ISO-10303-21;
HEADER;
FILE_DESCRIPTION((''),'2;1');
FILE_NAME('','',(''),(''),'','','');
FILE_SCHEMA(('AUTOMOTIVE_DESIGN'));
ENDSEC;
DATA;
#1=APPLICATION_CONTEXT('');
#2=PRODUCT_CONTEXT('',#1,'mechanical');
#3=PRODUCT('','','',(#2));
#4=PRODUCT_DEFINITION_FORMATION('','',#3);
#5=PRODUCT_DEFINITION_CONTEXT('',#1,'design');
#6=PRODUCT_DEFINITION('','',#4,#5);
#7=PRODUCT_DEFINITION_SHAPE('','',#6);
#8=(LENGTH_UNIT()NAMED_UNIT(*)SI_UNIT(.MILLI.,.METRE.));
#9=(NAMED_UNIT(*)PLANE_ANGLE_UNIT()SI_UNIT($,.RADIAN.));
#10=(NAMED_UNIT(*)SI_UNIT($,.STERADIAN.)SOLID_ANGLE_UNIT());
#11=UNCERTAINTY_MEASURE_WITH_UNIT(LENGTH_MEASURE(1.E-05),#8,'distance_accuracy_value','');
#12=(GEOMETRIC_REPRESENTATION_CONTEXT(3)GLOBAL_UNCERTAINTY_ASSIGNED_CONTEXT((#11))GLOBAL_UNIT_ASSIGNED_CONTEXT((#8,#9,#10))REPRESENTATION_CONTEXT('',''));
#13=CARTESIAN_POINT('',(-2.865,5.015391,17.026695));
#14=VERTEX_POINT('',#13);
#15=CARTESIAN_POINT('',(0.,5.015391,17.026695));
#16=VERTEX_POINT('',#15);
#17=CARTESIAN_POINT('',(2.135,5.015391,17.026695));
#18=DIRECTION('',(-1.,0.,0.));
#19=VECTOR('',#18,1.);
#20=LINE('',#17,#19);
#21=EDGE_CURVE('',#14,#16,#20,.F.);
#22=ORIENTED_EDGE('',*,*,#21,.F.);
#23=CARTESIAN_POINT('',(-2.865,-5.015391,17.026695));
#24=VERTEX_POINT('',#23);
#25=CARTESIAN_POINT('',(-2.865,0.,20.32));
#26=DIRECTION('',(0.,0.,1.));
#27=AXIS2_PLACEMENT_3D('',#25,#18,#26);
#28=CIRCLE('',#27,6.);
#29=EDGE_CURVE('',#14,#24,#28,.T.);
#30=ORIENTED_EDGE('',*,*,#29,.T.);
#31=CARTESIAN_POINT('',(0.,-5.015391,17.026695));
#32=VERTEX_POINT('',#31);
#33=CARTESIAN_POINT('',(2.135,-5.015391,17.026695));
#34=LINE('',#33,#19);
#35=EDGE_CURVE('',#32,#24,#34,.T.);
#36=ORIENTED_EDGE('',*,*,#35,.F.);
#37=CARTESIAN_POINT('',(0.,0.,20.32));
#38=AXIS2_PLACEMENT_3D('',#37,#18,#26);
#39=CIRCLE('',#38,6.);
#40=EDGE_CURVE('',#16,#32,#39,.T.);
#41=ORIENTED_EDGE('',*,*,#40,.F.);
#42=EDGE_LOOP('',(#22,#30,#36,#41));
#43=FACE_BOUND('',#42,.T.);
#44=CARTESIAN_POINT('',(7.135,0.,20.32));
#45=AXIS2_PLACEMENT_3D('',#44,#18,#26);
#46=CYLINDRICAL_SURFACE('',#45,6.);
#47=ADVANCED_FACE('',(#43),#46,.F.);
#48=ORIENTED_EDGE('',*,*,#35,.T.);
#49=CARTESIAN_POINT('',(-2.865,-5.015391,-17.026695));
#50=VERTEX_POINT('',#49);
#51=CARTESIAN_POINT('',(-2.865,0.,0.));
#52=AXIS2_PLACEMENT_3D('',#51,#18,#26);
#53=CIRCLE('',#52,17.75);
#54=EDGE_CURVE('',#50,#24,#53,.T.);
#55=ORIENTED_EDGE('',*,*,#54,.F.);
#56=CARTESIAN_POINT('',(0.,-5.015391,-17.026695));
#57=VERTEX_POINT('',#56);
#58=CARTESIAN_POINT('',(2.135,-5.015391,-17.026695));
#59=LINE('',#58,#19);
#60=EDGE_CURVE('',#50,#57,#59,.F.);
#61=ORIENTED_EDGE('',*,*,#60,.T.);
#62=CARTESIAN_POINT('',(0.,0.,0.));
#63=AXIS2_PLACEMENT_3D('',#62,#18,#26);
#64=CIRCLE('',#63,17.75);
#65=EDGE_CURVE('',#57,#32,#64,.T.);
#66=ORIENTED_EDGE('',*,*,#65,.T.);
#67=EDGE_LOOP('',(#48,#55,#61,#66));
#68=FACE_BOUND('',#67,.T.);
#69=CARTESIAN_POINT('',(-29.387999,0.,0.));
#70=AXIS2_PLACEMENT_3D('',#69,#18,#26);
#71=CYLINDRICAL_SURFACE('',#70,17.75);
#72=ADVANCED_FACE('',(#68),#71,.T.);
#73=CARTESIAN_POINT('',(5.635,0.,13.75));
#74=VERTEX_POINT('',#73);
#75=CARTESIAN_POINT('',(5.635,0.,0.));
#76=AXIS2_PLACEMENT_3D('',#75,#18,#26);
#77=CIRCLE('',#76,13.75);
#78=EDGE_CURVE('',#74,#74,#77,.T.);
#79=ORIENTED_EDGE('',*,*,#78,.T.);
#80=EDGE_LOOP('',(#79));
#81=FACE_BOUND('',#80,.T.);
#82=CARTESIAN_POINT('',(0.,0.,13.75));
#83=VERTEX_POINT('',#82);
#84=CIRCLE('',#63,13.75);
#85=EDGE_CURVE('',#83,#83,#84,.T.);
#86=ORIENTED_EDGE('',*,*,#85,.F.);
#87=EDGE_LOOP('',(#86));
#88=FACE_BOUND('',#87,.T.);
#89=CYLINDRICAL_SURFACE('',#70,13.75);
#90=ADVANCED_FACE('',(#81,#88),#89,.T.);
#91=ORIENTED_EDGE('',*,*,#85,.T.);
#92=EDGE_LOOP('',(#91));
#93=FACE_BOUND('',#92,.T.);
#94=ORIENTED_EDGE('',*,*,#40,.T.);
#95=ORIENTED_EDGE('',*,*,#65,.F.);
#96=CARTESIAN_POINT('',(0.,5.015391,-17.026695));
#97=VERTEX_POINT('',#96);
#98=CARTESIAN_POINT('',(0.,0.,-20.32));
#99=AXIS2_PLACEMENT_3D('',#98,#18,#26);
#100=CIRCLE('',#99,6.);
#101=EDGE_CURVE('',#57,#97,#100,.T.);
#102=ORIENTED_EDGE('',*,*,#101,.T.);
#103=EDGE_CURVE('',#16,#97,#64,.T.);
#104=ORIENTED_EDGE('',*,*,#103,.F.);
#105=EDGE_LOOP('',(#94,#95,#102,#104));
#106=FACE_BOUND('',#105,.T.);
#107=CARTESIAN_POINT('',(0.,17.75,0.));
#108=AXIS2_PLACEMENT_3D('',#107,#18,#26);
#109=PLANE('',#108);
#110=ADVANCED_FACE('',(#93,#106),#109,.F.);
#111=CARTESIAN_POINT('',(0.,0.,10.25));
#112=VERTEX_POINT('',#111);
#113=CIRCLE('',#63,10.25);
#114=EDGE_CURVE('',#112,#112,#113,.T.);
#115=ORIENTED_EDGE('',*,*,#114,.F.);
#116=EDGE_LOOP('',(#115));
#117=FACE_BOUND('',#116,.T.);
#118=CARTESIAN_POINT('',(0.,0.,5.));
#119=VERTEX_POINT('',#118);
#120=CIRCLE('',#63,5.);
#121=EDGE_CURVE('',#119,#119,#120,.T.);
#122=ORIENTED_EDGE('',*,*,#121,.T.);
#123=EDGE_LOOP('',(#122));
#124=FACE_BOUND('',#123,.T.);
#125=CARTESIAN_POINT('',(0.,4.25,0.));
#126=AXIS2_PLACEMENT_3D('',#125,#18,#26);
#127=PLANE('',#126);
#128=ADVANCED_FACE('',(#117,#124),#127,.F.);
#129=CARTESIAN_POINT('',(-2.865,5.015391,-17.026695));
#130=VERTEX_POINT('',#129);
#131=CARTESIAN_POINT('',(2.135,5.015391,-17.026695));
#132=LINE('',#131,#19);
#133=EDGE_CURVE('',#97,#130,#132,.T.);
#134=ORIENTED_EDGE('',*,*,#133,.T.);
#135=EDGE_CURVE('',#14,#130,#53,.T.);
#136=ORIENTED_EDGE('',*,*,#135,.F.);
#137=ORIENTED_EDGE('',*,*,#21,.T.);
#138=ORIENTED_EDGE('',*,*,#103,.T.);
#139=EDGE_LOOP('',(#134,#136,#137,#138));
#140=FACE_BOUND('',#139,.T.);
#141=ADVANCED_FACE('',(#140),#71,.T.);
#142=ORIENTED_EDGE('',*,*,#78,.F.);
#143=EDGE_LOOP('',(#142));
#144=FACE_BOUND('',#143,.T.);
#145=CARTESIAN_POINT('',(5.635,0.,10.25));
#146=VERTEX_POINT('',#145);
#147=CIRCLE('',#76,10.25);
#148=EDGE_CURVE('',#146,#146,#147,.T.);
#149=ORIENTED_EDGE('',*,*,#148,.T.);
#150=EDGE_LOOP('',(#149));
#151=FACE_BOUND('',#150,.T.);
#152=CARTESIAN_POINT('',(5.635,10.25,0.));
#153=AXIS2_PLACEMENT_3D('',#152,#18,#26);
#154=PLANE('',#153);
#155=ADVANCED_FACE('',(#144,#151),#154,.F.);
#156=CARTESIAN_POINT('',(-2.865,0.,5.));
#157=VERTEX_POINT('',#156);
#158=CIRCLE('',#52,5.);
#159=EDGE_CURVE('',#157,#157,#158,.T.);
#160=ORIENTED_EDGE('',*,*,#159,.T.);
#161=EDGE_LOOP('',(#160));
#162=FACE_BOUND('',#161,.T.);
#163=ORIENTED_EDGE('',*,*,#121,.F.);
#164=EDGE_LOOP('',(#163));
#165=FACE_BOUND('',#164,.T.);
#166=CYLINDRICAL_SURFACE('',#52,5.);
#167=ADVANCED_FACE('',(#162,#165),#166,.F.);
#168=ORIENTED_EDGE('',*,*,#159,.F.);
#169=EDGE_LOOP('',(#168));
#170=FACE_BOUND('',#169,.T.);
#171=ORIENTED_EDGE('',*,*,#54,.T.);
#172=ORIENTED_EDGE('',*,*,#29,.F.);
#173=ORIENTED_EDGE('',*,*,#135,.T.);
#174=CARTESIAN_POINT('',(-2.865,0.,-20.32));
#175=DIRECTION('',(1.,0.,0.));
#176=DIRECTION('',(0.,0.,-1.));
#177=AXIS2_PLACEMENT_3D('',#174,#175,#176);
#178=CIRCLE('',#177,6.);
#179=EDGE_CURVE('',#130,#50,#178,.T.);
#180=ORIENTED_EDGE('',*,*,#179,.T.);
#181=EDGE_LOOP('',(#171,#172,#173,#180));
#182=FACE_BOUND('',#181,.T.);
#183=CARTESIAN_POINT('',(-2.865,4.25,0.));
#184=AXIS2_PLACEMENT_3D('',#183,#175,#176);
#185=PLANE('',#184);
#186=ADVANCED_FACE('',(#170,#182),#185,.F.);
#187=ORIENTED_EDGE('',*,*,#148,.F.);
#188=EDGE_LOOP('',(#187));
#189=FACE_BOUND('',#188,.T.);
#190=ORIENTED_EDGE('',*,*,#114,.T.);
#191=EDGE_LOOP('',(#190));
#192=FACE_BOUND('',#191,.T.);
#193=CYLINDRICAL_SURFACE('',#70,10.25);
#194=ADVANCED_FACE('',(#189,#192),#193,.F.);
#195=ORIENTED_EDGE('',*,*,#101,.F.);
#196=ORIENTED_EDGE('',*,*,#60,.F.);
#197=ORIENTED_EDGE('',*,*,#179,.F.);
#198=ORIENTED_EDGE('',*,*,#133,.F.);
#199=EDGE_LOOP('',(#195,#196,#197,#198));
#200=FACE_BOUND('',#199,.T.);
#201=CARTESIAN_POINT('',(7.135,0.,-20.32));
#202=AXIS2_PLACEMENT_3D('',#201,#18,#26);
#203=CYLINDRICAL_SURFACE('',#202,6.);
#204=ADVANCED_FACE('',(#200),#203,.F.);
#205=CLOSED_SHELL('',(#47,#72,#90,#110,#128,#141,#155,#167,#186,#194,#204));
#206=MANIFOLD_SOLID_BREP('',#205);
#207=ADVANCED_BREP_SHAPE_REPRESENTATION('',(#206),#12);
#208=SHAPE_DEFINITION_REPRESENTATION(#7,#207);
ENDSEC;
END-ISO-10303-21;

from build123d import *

# Parameters (mm, degrees)
M8_CLEARANCE_HOLE1_D     = 10
M8_CLEARANCE_HOLE1_DEPTH = 8.5
SKETCH4_R                = 6
CUT_EXTRUDE1_DEPTH       = 10


with BuildPart() as part:
    # Sketch1 → Revolve1 (revolve)
    with BuildSketch(Plane.XY):
        Polygon((-2.865, 4.25), (-2.865, 17.75), (0, 17.75), (0, 13.75), (5.635, 13.75), (5.635, 10.25), (0, 10.25), (0, 4.25), align=None)
    revolve(axis=Axis((-29.387999347, 0, 0), (1, 0, 0)))

    # M8 Clearance Hole1
    with Locations(Plane.ZY.offset(2.865)):
        with Locations((0, 0)):
            Hole(M8_CLEARANCE_HOLE1_D / 2, depth=M8_CLEARANCE_HOLE1_DEPTH)

    # Sketch4 → Cut-Extrude1 (cut)
    with BuildSketch(Plane.ZY.offset(2.865)):
        with Locations((-20.32, 0)):
            Circle(SKETCH4_R)
        with Locations((20.32, 0)):
            Circle(SKETCH4_R)
    extrude(amount=-CUT_EXTRUDE1_DEPTH, mode=Mode.SUBTRACT)


solid = part.part
